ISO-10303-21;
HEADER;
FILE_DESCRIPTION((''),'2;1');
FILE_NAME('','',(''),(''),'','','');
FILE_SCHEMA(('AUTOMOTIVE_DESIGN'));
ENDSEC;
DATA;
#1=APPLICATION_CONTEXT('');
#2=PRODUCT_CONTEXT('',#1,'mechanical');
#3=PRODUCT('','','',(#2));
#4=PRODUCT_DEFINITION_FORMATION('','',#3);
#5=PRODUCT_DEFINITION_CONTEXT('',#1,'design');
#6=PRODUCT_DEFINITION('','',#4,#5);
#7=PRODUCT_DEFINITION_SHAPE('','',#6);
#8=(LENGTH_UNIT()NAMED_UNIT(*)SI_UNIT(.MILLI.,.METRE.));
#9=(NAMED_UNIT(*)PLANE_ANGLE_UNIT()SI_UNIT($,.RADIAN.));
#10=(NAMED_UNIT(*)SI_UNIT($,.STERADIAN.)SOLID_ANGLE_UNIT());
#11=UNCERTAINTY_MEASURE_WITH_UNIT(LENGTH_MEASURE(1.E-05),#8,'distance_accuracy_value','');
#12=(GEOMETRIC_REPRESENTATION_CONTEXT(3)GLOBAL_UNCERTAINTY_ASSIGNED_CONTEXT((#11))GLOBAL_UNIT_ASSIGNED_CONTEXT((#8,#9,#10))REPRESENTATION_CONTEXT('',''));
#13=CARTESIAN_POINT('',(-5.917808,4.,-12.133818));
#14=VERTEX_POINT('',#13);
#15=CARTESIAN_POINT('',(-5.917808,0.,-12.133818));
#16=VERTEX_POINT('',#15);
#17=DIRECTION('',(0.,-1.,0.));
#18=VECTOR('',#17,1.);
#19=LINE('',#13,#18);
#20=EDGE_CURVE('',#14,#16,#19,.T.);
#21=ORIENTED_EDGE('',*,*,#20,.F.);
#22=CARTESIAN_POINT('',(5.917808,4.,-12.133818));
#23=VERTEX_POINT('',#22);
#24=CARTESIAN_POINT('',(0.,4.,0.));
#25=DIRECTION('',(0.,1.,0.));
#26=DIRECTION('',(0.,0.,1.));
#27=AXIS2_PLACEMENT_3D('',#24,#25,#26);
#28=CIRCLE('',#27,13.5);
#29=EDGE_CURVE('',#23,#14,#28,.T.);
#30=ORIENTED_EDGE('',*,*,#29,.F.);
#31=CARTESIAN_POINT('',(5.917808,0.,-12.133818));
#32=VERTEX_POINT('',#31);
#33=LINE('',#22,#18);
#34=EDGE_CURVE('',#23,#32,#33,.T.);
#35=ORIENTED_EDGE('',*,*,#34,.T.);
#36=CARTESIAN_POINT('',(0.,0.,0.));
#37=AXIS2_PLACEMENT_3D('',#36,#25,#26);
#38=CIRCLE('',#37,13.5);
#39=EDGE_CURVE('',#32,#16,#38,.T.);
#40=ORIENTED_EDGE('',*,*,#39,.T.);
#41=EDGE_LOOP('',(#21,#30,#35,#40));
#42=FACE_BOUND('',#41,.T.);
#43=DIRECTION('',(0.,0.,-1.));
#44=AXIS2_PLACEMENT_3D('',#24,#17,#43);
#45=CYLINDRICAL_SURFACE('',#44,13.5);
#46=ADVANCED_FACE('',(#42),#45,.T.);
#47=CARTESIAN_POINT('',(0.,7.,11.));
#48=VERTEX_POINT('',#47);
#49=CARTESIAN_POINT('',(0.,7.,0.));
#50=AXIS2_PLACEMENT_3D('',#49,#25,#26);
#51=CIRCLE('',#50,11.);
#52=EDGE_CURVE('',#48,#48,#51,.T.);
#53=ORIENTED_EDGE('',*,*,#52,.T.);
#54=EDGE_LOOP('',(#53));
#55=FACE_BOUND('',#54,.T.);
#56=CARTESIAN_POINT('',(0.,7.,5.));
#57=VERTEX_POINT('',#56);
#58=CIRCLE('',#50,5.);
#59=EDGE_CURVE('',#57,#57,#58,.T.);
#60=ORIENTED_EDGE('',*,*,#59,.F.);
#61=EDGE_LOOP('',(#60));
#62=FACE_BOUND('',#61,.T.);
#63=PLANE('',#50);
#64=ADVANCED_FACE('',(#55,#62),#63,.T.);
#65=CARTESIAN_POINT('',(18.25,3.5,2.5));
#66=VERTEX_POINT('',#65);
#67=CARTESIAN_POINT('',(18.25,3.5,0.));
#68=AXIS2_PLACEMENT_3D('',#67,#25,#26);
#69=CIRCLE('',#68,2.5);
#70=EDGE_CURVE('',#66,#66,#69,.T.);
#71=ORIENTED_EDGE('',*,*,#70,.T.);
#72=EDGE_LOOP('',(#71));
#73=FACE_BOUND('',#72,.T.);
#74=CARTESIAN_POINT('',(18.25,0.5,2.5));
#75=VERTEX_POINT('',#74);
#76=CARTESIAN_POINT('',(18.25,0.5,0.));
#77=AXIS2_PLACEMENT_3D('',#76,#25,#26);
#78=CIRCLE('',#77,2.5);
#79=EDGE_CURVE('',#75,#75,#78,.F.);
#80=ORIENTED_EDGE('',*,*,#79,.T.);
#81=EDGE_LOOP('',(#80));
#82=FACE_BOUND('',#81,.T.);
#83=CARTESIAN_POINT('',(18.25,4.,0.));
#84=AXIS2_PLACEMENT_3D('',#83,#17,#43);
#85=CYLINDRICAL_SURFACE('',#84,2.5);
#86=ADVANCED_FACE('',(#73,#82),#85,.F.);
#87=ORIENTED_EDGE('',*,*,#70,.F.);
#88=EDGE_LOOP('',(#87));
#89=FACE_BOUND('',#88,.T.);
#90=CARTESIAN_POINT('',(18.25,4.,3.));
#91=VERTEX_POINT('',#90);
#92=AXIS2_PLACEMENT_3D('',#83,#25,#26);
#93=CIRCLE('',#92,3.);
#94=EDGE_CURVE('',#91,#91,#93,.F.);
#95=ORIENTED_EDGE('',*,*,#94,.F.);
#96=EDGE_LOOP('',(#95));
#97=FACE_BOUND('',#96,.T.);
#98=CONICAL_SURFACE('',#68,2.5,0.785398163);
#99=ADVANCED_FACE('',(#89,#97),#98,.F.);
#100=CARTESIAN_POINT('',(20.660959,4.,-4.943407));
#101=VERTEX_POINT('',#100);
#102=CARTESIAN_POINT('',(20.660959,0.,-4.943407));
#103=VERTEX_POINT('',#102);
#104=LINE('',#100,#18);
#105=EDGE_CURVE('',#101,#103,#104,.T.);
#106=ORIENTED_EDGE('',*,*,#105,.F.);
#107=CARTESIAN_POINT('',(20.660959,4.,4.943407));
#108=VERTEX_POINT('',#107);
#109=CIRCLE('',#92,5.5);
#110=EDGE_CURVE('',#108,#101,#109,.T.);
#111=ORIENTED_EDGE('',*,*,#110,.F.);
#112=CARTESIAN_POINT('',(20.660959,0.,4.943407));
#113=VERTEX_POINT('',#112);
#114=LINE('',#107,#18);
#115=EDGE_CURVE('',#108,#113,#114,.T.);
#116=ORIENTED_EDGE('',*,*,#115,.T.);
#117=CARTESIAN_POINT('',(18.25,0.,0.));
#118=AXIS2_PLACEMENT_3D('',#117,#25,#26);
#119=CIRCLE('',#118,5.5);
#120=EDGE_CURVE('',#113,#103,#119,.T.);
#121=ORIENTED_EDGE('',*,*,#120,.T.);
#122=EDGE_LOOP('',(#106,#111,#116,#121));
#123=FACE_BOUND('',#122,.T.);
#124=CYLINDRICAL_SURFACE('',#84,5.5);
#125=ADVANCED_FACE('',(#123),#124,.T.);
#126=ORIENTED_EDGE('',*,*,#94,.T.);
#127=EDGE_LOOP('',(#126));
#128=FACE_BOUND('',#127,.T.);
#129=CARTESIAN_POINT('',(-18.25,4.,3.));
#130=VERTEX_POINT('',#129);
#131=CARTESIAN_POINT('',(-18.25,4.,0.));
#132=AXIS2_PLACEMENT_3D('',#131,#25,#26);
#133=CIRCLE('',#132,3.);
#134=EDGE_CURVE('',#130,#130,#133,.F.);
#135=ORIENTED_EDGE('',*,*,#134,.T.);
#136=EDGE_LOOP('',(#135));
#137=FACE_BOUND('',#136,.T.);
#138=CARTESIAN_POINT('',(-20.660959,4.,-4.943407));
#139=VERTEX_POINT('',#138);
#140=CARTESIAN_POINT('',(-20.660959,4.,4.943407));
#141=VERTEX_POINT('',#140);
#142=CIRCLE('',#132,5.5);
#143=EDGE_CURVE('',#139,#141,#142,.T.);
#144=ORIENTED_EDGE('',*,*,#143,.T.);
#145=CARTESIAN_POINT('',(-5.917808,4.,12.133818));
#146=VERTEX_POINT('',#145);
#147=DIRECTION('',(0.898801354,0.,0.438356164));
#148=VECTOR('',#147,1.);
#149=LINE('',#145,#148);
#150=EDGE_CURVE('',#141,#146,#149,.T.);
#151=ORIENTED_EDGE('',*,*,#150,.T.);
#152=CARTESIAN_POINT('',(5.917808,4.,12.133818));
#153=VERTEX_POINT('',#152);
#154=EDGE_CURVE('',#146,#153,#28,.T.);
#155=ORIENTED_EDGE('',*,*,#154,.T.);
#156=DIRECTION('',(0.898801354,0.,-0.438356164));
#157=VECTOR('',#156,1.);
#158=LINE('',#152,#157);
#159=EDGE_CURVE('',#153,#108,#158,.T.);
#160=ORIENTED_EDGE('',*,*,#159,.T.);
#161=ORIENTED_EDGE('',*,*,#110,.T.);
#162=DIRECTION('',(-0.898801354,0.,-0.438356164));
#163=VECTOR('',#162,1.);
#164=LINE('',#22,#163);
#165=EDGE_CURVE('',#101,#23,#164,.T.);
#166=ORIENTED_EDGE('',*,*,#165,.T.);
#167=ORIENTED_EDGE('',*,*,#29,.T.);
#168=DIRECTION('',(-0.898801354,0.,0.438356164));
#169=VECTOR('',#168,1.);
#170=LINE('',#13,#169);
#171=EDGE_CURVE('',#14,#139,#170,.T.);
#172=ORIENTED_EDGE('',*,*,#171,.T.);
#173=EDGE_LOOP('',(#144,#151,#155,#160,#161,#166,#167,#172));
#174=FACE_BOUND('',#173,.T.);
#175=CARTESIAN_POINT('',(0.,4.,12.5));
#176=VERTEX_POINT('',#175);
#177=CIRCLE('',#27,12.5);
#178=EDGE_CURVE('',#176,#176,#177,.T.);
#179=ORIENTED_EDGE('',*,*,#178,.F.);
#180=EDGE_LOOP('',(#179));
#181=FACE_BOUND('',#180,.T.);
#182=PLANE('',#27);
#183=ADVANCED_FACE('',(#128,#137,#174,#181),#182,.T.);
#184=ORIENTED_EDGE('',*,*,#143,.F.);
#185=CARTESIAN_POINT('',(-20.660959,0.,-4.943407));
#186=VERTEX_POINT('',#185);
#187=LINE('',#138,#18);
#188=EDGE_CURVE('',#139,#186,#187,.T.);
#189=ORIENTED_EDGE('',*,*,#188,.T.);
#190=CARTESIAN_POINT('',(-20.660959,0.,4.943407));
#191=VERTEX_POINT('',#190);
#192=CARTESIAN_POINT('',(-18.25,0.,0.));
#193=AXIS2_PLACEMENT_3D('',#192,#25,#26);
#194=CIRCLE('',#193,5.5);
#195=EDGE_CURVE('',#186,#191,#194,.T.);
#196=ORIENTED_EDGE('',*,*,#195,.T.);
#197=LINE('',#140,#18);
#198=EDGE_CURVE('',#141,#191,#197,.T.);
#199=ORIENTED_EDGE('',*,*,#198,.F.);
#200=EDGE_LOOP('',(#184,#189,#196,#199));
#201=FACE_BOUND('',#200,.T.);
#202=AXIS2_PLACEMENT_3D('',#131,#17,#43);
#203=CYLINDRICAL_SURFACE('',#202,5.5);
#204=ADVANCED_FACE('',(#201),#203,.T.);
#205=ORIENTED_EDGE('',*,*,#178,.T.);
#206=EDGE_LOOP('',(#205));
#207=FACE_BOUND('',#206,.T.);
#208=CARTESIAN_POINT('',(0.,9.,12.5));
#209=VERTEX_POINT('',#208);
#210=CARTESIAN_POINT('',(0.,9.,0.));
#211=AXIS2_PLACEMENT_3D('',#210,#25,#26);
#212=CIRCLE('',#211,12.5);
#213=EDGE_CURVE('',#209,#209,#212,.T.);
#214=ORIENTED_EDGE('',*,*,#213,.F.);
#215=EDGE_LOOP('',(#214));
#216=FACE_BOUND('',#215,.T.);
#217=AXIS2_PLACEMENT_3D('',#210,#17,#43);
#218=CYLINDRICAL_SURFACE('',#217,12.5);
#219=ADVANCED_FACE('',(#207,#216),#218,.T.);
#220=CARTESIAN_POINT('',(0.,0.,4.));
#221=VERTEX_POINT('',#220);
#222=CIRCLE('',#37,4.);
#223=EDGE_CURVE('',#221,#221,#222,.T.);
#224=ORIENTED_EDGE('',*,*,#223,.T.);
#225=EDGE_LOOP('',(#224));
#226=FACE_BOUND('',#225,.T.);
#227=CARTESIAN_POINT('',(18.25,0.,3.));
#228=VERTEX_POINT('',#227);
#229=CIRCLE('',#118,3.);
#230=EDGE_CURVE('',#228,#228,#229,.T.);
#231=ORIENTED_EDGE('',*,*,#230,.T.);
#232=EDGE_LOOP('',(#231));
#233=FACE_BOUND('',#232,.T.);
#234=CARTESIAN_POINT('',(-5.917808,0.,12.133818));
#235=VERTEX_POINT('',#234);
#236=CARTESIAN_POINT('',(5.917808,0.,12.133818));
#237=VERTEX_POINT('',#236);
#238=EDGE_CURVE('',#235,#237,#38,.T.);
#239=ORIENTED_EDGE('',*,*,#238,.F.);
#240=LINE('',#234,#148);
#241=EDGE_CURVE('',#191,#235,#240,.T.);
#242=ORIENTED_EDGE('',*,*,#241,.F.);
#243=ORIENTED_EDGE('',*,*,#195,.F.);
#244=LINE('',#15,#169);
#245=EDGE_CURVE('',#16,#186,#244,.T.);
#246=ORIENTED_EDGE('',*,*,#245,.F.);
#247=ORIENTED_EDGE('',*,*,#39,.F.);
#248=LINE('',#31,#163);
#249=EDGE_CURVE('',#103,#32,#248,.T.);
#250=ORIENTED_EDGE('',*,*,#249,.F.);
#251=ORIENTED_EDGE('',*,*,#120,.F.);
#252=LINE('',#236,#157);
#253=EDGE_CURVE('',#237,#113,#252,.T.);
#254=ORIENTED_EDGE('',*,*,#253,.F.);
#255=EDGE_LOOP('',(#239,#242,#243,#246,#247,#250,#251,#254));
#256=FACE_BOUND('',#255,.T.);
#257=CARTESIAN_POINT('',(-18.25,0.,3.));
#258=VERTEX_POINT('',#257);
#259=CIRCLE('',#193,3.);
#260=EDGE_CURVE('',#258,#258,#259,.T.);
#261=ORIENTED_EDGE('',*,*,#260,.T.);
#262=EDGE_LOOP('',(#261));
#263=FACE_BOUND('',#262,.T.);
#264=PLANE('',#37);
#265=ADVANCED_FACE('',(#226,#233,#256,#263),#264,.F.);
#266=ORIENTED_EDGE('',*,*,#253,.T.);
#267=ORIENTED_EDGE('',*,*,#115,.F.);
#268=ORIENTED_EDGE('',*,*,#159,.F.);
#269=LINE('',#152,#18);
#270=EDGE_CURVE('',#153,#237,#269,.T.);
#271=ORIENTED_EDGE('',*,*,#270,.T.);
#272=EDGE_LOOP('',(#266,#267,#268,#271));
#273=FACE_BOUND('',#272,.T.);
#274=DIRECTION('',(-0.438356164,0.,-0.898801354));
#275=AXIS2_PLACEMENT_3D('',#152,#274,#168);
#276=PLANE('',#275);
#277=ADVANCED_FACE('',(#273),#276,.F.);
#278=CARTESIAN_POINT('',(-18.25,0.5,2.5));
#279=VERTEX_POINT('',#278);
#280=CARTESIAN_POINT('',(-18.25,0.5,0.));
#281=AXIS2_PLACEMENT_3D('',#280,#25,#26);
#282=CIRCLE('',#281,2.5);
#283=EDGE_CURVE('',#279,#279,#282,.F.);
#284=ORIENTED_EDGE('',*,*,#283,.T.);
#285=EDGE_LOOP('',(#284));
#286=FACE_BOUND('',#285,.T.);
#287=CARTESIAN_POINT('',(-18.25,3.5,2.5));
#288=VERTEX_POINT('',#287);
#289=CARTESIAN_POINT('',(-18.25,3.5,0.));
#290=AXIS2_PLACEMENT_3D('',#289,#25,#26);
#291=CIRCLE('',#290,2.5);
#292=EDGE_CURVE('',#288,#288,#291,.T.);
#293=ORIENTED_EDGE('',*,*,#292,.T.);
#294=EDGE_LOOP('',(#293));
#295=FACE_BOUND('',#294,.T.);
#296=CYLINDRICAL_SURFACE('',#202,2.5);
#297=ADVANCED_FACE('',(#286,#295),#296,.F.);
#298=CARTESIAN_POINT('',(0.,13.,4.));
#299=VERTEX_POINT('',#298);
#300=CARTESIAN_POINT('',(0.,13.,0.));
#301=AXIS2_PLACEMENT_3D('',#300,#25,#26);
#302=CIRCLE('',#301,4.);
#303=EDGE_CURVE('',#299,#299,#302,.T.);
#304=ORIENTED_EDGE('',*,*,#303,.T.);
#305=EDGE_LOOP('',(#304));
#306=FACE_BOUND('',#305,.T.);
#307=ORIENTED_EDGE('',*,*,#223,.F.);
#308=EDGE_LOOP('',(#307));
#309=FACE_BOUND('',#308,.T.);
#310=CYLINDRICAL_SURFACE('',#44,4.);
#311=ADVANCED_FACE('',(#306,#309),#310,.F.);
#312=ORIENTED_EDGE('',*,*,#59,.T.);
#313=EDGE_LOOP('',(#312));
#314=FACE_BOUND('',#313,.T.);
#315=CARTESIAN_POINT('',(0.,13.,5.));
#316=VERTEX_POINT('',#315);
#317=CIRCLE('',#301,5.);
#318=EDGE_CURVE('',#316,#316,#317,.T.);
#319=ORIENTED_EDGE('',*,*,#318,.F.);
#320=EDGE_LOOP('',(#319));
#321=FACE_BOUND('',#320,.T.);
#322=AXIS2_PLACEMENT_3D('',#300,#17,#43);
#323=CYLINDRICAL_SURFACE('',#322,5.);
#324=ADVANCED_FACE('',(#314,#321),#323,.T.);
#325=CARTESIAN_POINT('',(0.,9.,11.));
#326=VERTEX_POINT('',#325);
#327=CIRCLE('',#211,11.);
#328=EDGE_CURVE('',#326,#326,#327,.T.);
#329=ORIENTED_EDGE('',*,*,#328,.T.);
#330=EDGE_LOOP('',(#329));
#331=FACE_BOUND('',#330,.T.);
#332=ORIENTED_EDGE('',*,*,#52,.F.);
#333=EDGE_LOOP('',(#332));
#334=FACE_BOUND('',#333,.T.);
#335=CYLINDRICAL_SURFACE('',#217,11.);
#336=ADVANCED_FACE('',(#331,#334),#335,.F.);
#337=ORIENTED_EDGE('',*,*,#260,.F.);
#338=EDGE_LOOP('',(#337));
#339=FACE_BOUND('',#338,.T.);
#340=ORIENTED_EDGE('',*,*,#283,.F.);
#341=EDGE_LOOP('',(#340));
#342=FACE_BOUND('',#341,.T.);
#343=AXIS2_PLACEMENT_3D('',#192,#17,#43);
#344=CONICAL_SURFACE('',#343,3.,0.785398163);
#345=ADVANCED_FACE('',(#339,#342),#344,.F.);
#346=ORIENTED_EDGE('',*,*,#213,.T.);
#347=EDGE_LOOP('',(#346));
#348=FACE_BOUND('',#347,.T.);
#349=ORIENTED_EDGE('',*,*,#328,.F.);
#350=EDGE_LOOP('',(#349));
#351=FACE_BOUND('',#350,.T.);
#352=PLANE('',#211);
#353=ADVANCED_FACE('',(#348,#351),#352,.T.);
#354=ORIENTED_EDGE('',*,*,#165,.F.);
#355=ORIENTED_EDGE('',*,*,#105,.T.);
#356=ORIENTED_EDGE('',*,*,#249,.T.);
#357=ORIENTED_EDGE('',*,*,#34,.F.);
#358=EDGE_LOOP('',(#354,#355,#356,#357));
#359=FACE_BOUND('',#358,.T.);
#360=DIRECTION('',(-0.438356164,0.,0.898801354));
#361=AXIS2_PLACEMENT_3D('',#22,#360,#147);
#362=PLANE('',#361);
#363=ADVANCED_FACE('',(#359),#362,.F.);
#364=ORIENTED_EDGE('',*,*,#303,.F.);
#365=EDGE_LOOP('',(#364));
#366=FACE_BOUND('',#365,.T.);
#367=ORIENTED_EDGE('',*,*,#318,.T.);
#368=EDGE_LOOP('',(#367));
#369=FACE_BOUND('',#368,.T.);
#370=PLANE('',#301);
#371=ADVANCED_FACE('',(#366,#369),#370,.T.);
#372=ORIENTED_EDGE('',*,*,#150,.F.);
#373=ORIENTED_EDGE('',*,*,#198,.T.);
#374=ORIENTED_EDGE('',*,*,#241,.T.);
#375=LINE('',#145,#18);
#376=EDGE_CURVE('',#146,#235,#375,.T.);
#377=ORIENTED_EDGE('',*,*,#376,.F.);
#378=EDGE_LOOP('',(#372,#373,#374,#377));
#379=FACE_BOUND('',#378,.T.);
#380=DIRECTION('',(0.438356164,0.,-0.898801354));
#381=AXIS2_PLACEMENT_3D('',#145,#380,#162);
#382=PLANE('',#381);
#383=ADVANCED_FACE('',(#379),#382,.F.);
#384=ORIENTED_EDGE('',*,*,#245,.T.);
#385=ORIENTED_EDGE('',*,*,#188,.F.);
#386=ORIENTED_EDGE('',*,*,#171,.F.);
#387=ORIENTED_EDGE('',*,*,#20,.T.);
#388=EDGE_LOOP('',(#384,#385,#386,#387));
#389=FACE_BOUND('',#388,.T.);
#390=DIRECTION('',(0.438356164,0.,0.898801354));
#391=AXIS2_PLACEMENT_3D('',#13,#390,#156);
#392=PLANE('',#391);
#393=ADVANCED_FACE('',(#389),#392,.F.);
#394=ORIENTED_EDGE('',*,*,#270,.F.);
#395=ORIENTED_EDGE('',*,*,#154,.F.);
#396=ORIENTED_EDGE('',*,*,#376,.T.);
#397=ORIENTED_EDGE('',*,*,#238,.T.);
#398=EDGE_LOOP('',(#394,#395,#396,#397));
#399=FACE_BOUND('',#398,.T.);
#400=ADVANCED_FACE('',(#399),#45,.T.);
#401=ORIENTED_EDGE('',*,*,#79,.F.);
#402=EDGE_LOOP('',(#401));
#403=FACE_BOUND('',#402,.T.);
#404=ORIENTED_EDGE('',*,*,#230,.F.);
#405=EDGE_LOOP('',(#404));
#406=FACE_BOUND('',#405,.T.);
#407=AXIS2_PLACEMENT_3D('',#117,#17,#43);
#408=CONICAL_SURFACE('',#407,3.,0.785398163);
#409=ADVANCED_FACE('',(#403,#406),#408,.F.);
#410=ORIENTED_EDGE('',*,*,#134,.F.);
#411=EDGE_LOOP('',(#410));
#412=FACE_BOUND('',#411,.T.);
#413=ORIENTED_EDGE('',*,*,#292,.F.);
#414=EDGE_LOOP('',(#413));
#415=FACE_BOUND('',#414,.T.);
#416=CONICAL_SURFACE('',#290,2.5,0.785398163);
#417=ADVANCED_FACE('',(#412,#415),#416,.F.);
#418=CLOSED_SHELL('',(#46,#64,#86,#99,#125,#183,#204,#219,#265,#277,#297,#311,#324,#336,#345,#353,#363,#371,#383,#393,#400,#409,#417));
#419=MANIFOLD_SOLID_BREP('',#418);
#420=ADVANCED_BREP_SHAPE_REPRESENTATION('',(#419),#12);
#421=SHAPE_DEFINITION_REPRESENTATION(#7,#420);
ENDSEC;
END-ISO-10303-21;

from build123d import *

# Parameters (mm, degrees)
CROQUIS1_R              = 4
CROQUIS1_R_2            = 2.5
SALIENTE_EXTRUIR1_DEPTH = 4
CROQUIS2_R              = 5
CROQUIS2_R_2            = 4
SALIENTE_EXTRUIR2_DEPTH = 9
CROQUIS3_R              = 12.5
CROQUIS3_R_2            = 11
SALIENTE_EXTRUIR3_DEPTH = 5
CROQUIS5_R              = 11
CROQUIS5_R_2            = 5
SALIENTE_EXTRUIR4_DEPTH = 3
CHAFL_N1_SIZE           = 0.5


with BuildPart() as part:
    # Croquis1 → Saliente-Extruir1 (new body)
    with BuildSketch(Plane(origin=(0, 0, 0), x_dir=(1, 0, 0), z_dir=(0, 1, 0))):
        with BuildLine():
            Line((-5.917808219, 12.133818273), (-20.660958904, 4.943407445))
            ThreePointArc((-20.660958904, 4.943407445), (-23.75, 0), (-20.660958904, -4.943407445))
            Line((-20.660958904, -4.943407445), (-5.917808219, -12.133818273))
            ThreePointArc((-5.917808219, -12.133818273), (0, -13.5), (5.917808219, -12.133818273))
            Line((5.917808219, -12.133818273), (20.660958904, -4.943407445))
            ThreePointArc((20.660958904, -4.943407445), (23.75, 0), (20.660958904, 4.943407445))
            Line((20.660958904, 4.943407445), (5.917808219, 12.133818273))
            ThreePointArc((5.917808219, 12.133818273), (0, 13.5), (-5.917808219, 12.133818273))
        make_face()
        with Locations(Location((0, 0, 0), (0, 0, 270))):
            Circle(CROQUIS1_R, mode=Mode.SUBTRACT)
        with Locations(Location((-18.25, 0, 0), (0, 0, 270))):
            Circle(CROQUIS1_R_2, mode=Mode.SUBTRACT)
        with Locations(Location((18.25, 0, 0), (0, 0, 270))):
            Circle(CROQUIS1_R_2, mode=Mode.SUBTRACT)
    extrude(amount=SALIENTE_EXTRUIR1_DEPTH)

    # Croquis2 → Saliente-Extruir2 (add)
    with BuildSketch(Plane(origin=(0, 4, 0), x_dir=(1, 0, 0), z_dir=(0, 1, 0))):
        with Locations(Location((0, 0, 0), (0, 0, 270))):
            Circle(CROQUIS2_R)
        with Locations(Location((0, 0, 0), (0, 0, 270))):
            Circle(CROQUIS2_R_2, mode=Mode.SUBTRACT)
    extrude(amount=SALIENTE_EXTRUIR2_DEPTH)

    # Croquis3 → Saliente-Extruir3 (add)
    with BuildSketch(Plane(origin=(0, 4, 0), x_dir=(1, 0, 0), z_dir=(0, 1, 0))):
        with Locations(Location((0, 0, 0), (0, 0, 270))):
            Circle(CROQUIS3_R)
        with Locations(Location((0, 0, 0), (0, 0, 270))):
            Circle(CROQUIS3_R_2, mode=Mode.SUBTRACT)
    extrude(amount=SALIENTE_EXTRUIR3_DEPTH)

    # Croquis5 → Saliente-Extruir4 (add)
    with BuildSketch(Plane(origin=(0, 4, 0), x_dir=(1, 0, 0), z_dir=(0, 1, 0))):
        with Locations(Location((0, 0, 0), (0, 0, 270))):
            Circle(CROQUIS5_R)
        with Locations(Location((0, 0, 0), (0, 0, 270))):
            Circle(CROQUIS5_R_2, mode=Mode.SUBTRACT)
    extrude(amount=SALIENTE_EXTRUIR4_DEPTH)

    # Chaflán1
    chafl_n1_edges = [part.edges().sort_by_distance(p)[0] for p in [
        (-18.25, 0, -2.5),
        (-18.25, 4, -2.5),
        (18.25, 0, -2.5),
        (18.25, 4, -2.5),
    ]]
    chamfer(chafl_n1_edges, length=CHAFL_N1_SIZE)


solid = part.part
